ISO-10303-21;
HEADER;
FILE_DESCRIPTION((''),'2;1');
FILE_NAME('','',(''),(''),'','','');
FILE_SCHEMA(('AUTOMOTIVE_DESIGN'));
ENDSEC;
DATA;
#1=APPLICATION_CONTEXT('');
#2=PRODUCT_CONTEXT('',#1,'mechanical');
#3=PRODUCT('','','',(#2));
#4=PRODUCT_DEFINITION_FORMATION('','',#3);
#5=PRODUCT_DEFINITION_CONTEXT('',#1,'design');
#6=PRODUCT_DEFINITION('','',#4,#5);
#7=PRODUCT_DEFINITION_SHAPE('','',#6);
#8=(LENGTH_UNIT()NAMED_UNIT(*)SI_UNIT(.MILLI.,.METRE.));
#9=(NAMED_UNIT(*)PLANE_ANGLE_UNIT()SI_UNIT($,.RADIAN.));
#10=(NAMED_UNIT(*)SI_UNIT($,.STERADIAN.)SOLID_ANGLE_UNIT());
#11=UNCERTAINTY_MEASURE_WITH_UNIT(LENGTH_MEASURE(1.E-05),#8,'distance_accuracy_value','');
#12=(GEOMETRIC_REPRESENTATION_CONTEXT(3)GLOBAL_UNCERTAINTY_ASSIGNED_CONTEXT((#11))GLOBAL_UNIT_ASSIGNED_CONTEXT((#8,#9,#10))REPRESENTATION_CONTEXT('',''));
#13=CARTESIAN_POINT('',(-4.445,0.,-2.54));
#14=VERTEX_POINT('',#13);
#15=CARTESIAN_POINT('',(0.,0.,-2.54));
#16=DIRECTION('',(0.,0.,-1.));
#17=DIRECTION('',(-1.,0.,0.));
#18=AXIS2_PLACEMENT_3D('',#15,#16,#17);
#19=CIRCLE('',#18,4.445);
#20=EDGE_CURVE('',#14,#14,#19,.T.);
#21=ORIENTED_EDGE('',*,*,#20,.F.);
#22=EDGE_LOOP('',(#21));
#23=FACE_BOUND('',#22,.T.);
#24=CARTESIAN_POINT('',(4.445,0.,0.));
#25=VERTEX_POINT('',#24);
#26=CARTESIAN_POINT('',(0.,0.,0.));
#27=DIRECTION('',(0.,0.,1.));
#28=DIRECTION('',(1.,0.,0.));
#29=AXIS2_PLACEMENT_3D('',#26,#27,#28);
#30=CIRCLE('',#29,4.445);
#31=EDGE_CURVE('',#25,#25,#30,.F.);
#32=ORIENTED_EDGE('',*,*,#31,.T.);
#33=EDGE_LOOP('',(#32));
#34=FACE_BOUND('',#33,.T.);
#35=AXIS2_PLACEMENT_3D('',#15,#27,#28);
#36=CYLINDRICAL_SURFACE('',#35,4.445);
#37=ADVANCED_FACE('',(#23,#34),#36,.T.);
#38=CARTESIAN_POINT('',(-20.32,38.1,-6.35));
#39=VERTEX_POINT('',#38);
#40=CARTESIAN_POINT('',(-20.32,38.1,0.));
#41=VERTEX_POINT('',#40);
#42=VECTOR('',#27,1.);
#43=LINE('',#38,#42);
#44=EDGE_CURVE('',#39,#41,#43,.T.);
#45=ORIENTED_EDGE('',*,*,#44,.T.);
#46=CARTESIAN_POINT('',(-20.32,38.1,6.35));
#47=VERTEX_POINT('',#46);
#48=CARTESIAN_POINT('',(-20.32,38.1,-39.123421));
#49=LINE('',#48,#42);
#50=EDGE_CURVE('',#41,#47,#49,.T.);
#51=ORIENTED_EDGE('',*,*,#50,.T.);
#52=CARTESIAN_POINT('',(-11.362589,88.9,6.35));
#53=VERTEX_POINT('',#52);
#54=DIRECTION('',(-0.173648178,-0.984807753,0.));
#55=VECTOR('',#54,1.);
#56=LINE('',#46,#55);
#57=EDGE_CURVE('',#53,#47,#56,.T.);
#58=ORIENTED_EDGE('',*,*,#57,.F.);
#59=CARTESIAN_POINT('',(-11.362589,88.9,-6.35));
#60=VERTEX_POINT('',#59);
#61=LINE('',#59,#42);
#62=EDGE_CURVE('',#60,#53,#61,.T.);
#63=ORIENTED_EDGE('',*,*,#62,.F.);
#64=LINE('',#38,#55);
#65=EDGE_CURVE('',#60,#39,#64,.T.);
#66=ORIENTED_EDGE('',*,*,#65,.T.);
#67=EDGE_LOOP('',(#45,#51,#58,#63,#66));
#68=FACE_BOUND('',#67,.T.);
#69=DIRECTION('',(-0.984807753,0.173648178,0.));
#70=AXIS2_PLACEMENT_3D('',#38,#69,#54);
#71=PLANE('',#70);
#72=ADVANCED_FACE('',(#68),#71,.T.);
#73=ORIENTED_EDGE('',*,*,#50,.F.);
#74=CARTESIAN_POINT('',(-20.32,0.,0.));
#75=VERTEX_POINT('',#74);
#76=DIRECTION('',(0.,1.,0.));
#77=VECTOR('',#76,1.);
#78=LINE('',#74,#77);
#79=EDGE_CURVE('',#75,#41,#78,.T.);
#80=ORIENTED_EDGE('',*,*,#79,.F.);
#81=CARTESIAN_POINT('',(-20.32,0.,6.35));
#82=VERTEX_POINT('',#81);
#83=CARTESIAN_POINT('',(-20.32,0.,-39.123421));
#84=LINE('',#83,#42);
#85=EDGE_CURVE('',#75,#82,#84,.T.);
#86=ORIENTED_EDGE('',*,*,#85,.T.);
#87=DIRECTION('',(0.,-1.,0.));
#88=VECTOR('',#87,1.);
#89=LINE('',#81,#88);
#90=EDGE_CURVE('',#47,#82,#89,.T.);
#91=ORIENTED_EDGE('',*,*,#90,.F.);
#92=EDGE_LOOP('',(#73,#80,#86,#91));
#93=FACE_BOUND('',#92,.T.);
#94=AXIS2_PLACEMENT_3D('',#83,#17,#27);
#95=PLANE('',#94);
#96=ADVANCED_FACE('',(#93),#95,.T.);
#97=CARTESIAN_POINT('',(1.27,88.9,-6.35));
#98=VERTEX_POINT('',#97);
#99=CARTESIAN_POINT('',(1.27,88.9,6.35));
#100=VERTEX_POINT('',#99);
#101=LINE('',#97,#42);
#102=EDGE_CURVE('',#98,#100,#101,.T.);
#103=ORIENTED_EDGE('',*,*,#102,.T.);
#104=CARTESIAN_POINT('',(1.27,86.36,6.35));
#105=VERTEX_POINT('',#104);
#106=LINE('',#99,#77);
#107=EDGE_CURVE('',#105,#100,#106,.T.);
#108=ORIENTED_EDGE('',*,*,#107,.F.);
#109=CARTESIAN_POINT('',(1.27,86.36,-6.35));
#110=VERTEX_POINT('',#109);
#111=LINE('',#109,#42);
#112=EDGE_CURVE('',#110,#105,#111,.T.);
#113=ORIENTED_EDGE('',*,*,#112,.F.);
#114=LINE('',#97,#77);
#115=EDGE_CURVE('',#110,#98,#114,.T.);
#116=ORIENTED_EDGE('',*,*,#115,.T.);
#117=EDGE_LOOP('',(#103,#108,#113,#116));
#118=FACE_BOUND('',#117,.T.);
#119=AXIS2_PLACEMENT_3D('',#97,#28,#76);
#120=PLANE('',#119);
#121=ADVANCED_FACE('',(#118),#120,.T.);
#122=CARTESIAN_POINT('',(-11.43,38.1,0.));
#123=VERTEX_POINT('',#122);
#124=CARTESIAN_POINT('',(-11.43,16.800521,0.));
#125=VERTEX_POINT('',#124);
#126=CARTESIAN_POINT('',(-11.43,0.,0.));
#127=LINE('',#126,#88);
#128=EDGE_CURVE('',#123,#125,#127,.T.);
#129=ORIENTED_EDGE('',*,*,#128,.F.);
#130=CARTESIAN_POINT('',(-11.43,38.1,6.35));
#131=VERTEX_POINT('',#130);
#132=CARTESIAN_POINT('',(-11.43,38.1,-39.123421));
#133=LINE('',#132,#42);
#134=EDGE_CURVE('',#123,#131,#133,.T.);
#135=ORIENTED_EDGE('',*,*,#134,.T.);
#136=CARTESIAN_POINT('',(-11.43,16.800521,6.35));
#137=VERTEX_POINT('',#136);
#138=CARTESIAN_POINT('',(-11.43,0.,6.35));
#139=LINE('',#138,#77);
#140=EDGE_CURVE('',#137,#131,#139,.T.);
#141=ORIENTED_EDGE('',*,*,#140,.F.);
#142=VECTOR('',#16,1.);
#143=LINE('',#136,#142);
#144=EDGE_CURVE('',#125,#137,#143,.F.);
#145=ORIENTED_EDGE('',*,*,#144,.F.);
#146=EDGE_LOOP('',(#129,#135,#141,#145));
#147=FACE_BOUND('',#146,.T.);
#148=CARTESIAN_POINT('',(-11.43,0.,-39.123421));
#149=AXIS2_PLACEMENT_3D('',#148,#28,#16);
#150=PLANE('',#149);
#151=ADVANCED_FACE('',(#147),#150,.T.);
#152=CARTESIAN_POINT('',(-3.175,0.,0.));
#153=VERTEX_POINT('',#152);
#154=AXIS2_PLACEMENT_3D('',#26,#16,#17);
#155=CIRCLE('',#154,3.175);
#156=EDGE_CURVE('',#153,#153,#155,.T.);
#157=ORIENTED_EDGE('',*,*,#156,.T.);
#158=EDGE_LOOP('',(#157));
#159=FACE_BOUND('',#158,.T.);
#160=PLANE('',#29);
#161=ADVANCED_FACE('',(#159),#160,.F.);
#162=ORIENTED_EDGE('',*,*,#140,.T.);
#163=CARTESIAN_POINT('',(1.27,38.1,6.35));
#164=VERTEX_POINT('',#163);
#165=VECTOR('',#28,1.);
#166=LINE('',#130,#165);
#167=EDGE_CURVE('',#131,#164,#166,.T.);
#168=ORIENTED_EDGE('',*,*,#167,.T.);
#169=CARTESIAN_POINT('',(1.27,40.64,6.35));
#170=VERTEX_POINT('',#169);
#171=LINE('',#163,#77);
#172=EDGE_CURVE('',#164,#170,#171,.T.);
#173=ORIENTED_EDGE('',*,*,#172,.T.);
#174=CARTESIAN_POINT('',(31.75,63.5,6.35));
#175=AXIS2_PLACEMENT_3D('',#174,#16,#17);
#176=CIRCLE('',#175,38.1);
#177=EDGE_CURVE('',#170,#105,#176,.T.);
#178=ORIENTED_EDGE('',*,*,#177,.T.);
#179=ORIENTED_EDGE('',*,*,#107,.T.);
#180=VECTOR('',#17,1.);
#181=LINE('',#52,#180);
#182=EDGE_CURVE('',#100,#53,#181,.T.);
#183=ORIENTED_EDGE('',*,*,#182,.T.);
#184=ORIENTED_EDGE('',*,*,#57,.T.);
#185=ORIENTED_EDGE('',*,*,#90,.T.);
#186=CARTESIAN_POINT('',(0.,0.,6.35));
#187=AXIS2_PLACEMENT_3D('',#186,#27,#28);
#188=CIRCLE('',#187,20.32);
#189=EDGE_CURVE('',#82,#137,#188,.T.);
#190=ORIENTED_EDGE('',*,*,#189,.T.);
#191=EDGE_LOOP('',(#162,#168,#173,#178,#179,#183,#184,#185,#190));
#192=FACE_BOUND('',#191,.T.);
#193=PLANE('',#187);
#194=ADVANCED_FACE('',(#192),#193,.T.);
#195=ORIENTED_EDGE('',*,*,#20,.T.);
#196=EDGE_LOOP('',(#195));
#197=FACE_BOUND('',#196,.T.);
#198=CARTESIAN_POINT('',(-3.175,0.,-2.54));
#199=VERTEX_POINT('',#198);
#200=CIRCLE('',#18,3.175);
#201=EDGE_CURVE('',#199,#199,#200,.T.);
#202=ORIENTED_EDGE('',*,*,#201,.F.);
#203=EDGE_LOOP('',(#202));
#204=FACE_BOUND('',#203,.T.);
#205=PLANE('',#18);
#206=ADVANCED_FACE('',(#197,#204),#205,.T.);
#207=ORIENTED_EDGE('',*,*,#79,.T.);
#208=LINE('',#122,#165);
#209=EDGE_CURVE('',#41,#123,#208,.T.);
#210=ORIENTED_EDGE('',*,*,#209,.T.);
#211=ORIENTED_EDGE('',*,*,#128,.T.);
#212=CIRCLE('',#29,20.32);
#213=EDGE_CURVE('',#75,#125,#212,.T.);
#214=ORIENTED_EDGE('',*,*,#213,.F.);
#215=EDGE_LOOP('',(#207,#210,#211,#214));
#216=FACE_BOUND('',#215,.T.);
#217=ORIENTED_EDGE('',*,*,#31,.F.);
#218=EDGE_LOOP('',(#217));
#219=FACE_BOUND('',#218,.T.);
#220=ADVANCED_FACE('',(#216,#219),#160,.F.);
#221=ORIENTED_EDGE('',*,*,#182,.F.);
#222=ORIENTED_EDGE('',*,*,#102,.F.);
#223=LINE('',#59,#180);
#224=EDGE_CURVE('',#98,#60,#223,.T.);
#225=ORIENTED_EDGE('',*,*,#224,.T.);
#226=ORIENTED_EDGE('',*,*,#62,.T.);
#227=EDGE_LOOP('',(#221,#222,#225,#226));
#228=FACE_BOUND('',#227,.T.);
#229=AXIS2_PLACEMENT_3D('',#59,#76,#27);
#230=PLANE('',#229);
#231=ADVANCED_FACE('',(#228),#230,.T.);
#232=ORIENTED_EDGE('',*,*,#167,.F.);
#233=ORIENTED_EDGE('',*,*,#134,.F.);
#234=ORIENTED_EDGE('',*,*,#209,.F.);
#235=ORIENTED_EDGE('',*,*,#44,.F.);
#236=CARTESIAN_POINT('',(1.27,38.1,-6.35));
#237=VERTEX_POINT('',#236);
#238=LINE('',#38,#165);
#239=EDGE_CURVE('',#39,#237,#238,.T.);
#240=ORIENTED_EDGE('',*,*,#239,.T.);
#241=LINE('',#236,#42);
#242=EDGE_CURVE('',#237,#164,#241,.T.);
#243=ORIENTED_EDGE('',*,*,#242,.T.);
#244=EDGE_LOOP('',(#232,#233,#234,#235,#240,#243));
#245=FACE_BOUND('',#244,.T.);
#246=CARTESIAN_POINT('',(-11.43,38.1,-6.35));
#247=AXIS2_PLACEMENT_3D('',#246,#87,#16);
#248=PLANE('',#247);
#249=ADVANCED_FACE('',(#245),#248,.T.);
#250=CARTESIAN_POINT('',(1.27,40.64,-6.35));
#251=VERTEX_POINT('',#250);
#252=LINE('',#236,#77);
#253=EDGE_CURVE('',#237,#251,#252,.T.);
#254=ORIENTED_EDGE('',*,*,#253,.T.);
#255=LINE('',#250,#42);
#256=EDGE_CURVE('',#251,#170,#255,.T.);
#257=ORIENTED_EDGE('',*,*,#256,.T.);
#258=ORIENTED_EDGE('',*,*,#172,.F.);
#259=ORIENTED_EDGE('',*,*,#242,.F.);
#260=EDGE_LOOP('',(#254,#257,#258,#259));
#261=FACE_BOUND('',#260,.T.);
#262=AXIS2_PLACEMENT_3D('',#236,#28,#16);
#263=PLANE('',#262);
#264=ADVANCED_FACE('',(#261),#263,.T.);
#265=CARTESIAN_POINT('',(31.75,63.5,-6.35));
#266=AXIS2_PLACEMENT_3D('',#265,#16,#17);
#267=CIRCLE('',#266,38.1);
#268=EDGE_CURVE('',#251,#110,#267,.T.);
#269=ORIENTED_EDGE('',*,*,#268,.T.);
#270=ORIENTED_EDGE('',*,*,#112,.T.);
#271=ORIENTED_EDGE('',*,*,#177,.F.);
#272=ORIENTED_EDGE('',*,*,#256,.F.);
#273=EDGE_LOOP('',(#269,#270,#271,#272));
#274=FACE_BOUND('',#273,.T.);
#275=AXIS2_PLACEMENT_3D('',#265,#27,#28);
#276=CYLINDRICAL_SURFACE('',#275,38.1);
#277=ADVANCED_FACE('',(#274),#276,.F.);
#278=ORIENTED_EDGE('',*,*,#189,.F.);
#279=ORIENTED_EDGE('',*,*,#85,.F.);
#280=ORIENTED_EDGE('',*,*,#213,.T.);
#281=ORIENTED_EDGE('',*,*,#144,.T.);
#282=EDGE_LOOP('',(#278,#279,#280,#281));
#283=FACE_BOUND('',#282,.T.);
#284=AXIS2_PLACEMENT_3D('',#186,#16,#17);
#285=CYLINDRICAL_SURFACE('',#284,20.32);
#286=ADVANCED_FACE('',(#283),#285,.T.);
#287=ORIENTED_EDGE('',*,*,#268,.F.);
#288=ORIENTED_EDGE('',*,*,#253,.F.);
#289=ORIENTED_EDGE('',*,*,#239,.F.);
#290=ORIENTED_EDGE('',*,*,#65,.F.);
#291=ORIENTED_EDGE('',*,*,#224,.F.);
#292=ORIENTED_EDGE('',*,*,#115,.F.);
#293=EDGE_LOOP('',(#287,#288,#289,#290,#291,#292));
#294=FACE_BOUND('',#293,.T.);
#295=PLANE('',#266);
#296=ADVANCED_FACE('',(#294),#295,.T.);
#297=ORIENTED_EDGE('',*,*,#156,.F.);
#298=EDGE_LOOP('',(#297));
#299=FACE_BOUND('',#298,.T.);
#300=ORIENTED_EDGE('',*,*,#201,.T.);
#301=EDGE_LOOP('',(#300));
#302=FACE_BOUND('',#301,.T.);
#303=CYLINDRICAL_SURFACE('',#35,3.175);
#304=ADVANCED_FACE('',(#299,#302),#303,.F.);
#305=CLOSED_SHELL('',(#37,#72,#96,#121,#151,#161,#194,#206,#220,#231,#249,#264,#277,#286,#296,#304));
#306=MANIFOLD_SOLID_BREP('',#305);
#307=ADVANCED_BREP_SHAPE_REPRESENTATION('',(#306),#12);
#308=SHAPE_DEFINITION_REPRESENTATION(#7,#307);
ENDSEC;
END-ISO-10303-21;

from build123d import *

# Parameters (mm, degrees)
SKETCH1_R           = 20.32
BOSS_EXTRUDE1_DEPTH = 6.35
SKETCH2_R           = 4.445
SKETCH2_R_2         = 3.175
BOSS_EXTRUDE2_DEPTH = 2.54
SKETCH4_W           = 8.89
SKETCH4_H           = 38.1
BOSS_EXTRUDE3_DEPTH = 6.35
BOSS_EXTRUDE4_DEPTH = 12.7


with BuildPart() as part:
    # Sketch1 → Boss-Extrude1 (new body)
    with BuildSketch(Plane.XY):
        Circle(SKETCH1_R)
    extrude(amount=BOSS_EXTRUDE1_DEPTH)

    # Sketch2 → Boss-Extrude2 (add)
    with BuildSketch(Plane(origin=(0, 0, 0), x_dir=(-1, 0, 0), z_dir=(0, 0, -1))):
        with Locations(Location((0, 0, 0), (0, 0, 180))):
            Circle(SKETCH2_R)
        Circle(SKETCH2_R_2, mode=Mode.SUBTRACT)
    extrude(amount=BOSS_EXTRUDE2_DEPTH)

    # Sketch4 → Boss-Extrude3 (add)
    with BuildSketch(Plane.XY.offset(6.35)):
        with Locations((-15.875, 19.05)):
            Rectangle(SKETCH4_W, SKETCH4_H)
    extrude(amount=-BOSS_EXTRUDE3_DEPTH)

    # Sketch5 → Boss-Extrude4 (add)
    with BuildSketch(Plane.XY.offset(6.35)):
        with BuildLine():
            Line((-20.32, 38.1), (-11.36258938, 88.9))
            Line((-11.36258938, 88.9), (1.27, 88.9))
            Line((1.27, 88.9), (1.27, 86.36))
            ThreePointArc((1.27, 86.36), (-6.35, 63.5), (1.27, 40.64))
            Line((1.27, 40.64), (1.27, 38.1))
            Line((1.27, 38.1), (-11.43, 38.1))
            Line((-11.43, 38.1), (-20.32, 38.1))
        make_face()
    extrude(amount=-BOSS_EXTRUDE4_DEPTH)


solid = part.part
